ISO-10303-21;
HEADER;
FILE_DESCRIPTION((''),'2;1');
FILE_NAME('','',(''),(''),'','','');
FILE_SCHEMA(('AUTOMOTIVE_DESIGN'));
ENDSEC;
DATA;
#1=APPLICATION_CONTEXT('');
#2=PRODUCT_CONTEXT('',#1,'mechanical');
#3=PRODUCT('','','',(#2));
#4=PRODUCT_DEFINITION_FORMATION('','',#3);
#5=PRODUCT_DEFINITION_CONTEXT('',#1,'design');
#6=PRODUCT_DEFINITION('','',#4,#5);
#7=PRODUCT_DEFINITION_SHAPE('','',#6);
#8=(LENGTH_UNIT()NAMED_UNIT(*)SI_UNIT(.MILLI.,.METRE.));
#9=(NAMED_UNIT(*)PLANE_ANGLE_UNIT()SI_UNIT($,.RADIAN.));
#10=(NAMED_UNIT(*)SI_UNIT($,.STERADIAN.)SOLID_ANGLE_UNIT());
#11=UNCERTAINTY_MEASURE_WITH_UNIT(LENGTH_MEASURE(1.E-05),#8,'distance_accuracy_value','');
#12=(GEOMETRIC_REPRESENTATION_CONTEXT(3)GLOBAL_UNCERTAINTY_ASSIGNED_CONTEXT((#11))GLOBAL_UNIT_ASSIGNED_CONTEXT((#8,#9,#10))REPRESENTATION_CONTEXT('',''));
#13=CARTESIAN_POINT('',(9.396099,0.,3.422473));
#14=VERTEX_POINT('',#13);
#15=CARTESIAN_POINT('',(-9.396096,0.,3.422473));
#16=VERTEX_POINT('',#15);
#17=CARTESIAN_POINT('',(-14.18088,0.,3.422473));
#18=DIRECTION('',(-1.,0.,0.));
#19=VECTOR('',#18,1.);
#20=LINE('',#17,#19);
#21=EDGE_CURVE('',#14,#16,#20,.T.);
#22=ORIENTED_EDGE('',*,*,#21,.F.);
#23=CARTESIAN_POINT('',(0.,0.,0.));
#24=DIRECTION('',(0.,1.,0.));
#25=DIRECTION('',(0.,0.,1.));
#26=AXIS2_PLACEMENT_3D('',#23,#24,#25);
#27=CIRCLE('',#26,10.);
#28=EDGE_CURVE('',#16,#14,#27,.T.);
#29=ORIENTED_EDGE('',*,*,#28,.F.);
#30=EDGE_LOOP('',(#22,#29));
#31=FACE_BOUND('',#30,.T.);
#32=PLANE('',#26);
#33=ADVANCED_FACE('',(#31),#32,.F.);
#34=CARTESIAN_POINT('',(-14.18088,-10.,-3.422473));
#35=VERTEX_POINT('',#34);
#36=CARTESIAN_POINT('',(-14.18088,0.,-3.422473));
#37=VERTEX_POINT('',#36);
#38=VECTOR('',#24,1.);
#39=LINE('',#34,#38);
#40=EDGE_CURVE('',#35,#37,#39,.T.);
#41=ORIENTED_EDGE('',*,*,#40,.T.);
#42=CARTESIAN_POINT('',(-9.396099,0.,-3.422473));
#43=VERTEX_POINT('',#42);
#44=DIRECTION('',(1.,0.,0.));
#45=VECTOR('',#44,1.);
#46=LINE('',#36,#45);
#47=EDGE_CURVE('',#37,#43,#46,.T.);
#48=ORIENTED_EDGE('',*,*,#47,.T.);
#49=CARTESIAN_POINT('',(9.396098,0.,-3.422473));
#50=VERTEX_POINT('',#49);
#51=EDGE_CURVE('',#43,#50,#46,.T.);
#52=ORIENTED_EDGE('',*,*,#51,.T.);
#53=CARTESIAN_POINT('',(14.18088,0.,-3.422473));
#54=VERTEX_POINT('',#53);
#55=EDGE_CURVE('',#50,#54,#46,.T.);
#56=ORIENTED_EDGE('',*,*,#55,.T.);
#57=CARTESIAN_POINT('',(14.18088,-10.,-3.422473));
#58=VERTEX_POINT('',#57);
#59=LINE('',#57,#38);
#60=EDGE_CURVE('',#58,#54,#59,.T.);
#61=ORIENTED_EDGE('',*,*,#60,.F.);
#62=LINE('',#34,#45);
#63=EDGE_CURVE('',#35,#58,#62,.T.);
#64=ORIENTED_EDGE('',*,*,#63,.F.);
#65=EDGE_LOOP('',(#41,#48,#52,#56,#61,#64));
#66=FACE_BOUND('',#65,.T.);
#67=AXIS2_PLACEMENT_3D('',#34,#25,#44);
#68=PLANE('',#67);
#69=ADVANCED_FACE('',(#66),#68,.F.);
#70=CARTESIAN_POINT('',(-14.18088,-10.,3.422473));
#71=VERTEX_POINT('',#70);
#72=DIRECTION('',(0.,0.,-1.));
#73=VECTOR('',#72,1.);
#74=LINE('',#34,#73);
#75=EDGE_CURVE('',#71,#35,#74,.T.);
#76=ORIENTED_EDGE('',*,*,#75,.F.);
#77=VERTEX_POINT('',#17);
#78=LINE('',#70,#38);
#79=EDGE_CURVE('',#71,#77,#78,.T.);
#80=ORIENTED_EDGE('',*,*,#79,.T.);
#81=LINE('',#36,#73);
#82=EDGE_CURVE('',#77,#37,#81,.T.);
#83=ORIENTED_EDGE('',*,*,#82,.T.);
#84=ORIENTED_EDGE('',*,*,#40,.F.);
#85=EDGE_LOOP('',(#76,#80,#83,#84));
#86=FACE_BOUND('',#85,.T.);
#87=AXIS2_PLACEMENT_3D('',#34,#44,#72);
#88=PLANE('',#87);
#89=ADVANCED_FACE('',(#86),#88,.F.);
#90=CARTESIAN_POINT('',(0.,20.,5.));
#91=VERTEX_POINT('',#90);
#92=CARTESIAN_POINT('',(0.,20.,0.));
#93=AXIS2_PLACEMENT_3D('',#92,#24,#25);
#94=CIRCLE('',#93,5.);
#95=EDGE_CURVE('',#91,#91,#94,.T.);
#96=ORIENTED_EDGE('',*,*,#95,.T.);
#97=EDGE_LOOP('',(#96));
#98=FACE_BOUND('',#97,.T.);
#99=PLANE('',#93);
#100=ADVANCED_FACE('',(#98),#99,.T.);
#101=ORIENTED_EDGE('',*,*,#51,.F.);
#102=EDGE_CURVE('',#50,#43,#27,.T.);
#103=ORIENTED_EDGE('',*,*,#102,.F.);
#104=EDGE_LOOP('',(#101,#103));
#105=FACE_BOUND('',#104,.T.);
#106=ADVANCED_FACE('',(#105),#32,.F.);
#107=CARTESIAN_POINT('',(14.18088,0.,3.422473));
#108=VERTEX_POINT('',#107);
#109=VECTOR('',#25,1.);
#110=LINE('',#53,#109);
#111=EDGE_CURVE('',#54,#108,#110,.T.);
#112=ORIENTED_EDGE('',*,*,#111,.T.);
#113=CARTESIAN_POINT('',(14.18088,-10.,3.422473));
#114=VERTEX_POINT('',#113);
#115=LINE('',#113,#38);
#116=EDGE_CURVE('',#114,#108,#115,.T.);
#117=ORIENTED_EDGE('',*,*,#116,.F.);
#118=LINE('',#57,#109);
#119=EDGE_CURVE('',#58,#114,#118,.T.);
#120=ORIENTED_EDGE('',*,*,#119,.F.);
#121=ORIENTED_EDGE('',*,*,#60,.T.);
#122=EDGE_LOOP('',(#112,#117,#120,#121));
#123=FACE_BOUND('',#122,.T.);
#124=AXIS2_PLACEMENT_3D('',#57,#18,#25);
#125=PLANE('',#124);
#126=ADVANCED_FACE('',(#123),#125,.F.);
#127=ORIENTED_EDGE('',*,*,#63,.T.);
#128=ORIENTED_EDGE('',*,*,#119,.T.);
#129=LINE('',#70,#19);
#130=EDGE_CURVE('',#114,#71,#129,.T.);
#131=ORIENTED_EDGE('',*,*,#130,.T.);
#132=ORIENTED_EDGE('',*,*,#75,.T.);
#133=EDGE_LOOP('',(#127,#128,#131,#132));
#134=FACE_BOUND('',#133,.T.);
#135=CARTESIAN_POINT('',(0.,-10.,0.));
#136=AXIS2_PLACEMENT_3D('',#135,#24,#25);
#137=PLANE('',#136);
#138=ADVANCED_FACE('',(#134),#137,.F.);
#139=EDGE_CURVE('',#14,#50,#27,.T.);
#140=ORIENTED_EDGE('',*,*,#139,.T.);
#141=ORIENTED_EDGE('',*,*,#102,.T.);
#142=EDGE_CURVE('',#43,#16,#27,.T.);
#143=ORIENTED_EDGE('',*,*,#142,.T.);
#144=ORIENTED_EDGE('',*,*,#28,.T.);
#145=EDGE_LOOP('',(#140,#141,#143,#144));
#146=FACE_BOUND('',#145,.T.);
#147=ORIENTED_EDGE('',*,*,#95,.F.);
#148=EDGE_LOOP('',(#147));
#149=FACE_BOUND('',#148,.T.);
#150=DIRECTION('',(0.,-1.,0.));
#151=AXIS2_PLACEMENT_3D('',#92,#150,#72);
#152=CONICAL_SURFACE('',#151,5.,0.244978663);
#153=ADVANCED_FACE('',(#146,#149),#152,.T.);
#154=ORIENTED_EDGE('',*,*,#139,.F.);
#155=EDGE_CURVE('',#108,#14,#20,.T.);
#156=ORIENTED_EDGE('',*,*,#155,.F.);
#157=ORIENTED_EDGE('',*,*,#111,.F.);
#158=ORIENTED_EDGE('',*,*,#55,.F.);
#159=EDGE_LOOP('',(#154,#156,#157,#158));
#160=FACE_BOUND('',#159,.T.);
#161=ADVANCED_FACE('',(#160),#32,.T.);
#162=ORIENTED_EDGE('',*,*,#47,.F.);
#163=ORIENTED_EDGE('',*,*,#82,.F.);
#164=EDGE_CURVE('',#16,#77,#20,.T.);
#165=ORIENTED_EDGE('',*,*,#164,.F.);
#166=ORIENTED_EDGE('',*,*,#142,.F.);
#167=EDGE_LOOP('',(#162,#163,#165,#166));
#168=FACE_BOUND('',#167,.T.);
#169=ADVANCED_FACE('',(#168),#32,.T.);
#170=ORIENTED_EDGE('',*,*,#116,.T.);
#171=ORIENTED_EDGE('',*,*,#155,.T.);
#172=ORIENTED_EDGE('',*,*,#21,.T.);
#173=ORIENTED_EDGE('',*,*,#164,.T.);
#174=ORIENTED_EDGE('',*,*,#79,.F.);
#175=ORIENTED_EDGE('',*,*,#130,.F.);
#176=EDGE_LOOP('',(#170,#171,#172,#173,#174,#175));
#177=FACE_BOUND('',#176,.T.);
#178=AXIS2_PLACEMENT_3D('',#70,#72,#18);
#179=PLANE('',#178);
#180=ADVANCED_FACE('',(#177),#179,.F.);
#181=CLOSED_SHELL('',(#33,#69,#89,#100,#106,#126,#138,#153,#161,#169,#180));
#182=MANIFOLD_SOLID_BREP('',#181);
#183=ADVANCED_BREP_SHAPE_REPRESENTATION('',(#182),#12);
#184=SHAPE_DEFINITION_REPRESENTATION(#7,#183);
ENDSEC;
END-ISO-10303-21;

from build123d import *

# Parameters (mm, degrees)
SKETCH2_R           = 5
SKETCH1_R           = 10
SKETCH3_W           = 28.361759846
SKETCH3_H           = 6.844946114
BOSS_EXTRUDE1_DEPTH = 10


with BuildPart() as part:
    # Sketch2 → Loft1 section 0
    with BuildSketch(Plane(origin=(0, 20, 0), x_dir=(1, 0, 0), z_dir=(0, 1, 0))):
        Circle(SKETCH2_R)
    # Sketch1 → Loft1 section 1
    with BuildSketch(Plane(origin=(0, 0, 0), x_dir=(1, 0, 0), z_dir=(0, 1, 0))):
        Circle(SKETCH1_R)
    loft()

    # Sketch3 → Boss-Extrude1 (add)
    with BuildSketch(Plane.XZ):
        Rectangle(SKETCH3_W, SKETCH3_H)
    extrude(amount=BOSS_EXTRUDE1_DEPTH)


solid = part.part
